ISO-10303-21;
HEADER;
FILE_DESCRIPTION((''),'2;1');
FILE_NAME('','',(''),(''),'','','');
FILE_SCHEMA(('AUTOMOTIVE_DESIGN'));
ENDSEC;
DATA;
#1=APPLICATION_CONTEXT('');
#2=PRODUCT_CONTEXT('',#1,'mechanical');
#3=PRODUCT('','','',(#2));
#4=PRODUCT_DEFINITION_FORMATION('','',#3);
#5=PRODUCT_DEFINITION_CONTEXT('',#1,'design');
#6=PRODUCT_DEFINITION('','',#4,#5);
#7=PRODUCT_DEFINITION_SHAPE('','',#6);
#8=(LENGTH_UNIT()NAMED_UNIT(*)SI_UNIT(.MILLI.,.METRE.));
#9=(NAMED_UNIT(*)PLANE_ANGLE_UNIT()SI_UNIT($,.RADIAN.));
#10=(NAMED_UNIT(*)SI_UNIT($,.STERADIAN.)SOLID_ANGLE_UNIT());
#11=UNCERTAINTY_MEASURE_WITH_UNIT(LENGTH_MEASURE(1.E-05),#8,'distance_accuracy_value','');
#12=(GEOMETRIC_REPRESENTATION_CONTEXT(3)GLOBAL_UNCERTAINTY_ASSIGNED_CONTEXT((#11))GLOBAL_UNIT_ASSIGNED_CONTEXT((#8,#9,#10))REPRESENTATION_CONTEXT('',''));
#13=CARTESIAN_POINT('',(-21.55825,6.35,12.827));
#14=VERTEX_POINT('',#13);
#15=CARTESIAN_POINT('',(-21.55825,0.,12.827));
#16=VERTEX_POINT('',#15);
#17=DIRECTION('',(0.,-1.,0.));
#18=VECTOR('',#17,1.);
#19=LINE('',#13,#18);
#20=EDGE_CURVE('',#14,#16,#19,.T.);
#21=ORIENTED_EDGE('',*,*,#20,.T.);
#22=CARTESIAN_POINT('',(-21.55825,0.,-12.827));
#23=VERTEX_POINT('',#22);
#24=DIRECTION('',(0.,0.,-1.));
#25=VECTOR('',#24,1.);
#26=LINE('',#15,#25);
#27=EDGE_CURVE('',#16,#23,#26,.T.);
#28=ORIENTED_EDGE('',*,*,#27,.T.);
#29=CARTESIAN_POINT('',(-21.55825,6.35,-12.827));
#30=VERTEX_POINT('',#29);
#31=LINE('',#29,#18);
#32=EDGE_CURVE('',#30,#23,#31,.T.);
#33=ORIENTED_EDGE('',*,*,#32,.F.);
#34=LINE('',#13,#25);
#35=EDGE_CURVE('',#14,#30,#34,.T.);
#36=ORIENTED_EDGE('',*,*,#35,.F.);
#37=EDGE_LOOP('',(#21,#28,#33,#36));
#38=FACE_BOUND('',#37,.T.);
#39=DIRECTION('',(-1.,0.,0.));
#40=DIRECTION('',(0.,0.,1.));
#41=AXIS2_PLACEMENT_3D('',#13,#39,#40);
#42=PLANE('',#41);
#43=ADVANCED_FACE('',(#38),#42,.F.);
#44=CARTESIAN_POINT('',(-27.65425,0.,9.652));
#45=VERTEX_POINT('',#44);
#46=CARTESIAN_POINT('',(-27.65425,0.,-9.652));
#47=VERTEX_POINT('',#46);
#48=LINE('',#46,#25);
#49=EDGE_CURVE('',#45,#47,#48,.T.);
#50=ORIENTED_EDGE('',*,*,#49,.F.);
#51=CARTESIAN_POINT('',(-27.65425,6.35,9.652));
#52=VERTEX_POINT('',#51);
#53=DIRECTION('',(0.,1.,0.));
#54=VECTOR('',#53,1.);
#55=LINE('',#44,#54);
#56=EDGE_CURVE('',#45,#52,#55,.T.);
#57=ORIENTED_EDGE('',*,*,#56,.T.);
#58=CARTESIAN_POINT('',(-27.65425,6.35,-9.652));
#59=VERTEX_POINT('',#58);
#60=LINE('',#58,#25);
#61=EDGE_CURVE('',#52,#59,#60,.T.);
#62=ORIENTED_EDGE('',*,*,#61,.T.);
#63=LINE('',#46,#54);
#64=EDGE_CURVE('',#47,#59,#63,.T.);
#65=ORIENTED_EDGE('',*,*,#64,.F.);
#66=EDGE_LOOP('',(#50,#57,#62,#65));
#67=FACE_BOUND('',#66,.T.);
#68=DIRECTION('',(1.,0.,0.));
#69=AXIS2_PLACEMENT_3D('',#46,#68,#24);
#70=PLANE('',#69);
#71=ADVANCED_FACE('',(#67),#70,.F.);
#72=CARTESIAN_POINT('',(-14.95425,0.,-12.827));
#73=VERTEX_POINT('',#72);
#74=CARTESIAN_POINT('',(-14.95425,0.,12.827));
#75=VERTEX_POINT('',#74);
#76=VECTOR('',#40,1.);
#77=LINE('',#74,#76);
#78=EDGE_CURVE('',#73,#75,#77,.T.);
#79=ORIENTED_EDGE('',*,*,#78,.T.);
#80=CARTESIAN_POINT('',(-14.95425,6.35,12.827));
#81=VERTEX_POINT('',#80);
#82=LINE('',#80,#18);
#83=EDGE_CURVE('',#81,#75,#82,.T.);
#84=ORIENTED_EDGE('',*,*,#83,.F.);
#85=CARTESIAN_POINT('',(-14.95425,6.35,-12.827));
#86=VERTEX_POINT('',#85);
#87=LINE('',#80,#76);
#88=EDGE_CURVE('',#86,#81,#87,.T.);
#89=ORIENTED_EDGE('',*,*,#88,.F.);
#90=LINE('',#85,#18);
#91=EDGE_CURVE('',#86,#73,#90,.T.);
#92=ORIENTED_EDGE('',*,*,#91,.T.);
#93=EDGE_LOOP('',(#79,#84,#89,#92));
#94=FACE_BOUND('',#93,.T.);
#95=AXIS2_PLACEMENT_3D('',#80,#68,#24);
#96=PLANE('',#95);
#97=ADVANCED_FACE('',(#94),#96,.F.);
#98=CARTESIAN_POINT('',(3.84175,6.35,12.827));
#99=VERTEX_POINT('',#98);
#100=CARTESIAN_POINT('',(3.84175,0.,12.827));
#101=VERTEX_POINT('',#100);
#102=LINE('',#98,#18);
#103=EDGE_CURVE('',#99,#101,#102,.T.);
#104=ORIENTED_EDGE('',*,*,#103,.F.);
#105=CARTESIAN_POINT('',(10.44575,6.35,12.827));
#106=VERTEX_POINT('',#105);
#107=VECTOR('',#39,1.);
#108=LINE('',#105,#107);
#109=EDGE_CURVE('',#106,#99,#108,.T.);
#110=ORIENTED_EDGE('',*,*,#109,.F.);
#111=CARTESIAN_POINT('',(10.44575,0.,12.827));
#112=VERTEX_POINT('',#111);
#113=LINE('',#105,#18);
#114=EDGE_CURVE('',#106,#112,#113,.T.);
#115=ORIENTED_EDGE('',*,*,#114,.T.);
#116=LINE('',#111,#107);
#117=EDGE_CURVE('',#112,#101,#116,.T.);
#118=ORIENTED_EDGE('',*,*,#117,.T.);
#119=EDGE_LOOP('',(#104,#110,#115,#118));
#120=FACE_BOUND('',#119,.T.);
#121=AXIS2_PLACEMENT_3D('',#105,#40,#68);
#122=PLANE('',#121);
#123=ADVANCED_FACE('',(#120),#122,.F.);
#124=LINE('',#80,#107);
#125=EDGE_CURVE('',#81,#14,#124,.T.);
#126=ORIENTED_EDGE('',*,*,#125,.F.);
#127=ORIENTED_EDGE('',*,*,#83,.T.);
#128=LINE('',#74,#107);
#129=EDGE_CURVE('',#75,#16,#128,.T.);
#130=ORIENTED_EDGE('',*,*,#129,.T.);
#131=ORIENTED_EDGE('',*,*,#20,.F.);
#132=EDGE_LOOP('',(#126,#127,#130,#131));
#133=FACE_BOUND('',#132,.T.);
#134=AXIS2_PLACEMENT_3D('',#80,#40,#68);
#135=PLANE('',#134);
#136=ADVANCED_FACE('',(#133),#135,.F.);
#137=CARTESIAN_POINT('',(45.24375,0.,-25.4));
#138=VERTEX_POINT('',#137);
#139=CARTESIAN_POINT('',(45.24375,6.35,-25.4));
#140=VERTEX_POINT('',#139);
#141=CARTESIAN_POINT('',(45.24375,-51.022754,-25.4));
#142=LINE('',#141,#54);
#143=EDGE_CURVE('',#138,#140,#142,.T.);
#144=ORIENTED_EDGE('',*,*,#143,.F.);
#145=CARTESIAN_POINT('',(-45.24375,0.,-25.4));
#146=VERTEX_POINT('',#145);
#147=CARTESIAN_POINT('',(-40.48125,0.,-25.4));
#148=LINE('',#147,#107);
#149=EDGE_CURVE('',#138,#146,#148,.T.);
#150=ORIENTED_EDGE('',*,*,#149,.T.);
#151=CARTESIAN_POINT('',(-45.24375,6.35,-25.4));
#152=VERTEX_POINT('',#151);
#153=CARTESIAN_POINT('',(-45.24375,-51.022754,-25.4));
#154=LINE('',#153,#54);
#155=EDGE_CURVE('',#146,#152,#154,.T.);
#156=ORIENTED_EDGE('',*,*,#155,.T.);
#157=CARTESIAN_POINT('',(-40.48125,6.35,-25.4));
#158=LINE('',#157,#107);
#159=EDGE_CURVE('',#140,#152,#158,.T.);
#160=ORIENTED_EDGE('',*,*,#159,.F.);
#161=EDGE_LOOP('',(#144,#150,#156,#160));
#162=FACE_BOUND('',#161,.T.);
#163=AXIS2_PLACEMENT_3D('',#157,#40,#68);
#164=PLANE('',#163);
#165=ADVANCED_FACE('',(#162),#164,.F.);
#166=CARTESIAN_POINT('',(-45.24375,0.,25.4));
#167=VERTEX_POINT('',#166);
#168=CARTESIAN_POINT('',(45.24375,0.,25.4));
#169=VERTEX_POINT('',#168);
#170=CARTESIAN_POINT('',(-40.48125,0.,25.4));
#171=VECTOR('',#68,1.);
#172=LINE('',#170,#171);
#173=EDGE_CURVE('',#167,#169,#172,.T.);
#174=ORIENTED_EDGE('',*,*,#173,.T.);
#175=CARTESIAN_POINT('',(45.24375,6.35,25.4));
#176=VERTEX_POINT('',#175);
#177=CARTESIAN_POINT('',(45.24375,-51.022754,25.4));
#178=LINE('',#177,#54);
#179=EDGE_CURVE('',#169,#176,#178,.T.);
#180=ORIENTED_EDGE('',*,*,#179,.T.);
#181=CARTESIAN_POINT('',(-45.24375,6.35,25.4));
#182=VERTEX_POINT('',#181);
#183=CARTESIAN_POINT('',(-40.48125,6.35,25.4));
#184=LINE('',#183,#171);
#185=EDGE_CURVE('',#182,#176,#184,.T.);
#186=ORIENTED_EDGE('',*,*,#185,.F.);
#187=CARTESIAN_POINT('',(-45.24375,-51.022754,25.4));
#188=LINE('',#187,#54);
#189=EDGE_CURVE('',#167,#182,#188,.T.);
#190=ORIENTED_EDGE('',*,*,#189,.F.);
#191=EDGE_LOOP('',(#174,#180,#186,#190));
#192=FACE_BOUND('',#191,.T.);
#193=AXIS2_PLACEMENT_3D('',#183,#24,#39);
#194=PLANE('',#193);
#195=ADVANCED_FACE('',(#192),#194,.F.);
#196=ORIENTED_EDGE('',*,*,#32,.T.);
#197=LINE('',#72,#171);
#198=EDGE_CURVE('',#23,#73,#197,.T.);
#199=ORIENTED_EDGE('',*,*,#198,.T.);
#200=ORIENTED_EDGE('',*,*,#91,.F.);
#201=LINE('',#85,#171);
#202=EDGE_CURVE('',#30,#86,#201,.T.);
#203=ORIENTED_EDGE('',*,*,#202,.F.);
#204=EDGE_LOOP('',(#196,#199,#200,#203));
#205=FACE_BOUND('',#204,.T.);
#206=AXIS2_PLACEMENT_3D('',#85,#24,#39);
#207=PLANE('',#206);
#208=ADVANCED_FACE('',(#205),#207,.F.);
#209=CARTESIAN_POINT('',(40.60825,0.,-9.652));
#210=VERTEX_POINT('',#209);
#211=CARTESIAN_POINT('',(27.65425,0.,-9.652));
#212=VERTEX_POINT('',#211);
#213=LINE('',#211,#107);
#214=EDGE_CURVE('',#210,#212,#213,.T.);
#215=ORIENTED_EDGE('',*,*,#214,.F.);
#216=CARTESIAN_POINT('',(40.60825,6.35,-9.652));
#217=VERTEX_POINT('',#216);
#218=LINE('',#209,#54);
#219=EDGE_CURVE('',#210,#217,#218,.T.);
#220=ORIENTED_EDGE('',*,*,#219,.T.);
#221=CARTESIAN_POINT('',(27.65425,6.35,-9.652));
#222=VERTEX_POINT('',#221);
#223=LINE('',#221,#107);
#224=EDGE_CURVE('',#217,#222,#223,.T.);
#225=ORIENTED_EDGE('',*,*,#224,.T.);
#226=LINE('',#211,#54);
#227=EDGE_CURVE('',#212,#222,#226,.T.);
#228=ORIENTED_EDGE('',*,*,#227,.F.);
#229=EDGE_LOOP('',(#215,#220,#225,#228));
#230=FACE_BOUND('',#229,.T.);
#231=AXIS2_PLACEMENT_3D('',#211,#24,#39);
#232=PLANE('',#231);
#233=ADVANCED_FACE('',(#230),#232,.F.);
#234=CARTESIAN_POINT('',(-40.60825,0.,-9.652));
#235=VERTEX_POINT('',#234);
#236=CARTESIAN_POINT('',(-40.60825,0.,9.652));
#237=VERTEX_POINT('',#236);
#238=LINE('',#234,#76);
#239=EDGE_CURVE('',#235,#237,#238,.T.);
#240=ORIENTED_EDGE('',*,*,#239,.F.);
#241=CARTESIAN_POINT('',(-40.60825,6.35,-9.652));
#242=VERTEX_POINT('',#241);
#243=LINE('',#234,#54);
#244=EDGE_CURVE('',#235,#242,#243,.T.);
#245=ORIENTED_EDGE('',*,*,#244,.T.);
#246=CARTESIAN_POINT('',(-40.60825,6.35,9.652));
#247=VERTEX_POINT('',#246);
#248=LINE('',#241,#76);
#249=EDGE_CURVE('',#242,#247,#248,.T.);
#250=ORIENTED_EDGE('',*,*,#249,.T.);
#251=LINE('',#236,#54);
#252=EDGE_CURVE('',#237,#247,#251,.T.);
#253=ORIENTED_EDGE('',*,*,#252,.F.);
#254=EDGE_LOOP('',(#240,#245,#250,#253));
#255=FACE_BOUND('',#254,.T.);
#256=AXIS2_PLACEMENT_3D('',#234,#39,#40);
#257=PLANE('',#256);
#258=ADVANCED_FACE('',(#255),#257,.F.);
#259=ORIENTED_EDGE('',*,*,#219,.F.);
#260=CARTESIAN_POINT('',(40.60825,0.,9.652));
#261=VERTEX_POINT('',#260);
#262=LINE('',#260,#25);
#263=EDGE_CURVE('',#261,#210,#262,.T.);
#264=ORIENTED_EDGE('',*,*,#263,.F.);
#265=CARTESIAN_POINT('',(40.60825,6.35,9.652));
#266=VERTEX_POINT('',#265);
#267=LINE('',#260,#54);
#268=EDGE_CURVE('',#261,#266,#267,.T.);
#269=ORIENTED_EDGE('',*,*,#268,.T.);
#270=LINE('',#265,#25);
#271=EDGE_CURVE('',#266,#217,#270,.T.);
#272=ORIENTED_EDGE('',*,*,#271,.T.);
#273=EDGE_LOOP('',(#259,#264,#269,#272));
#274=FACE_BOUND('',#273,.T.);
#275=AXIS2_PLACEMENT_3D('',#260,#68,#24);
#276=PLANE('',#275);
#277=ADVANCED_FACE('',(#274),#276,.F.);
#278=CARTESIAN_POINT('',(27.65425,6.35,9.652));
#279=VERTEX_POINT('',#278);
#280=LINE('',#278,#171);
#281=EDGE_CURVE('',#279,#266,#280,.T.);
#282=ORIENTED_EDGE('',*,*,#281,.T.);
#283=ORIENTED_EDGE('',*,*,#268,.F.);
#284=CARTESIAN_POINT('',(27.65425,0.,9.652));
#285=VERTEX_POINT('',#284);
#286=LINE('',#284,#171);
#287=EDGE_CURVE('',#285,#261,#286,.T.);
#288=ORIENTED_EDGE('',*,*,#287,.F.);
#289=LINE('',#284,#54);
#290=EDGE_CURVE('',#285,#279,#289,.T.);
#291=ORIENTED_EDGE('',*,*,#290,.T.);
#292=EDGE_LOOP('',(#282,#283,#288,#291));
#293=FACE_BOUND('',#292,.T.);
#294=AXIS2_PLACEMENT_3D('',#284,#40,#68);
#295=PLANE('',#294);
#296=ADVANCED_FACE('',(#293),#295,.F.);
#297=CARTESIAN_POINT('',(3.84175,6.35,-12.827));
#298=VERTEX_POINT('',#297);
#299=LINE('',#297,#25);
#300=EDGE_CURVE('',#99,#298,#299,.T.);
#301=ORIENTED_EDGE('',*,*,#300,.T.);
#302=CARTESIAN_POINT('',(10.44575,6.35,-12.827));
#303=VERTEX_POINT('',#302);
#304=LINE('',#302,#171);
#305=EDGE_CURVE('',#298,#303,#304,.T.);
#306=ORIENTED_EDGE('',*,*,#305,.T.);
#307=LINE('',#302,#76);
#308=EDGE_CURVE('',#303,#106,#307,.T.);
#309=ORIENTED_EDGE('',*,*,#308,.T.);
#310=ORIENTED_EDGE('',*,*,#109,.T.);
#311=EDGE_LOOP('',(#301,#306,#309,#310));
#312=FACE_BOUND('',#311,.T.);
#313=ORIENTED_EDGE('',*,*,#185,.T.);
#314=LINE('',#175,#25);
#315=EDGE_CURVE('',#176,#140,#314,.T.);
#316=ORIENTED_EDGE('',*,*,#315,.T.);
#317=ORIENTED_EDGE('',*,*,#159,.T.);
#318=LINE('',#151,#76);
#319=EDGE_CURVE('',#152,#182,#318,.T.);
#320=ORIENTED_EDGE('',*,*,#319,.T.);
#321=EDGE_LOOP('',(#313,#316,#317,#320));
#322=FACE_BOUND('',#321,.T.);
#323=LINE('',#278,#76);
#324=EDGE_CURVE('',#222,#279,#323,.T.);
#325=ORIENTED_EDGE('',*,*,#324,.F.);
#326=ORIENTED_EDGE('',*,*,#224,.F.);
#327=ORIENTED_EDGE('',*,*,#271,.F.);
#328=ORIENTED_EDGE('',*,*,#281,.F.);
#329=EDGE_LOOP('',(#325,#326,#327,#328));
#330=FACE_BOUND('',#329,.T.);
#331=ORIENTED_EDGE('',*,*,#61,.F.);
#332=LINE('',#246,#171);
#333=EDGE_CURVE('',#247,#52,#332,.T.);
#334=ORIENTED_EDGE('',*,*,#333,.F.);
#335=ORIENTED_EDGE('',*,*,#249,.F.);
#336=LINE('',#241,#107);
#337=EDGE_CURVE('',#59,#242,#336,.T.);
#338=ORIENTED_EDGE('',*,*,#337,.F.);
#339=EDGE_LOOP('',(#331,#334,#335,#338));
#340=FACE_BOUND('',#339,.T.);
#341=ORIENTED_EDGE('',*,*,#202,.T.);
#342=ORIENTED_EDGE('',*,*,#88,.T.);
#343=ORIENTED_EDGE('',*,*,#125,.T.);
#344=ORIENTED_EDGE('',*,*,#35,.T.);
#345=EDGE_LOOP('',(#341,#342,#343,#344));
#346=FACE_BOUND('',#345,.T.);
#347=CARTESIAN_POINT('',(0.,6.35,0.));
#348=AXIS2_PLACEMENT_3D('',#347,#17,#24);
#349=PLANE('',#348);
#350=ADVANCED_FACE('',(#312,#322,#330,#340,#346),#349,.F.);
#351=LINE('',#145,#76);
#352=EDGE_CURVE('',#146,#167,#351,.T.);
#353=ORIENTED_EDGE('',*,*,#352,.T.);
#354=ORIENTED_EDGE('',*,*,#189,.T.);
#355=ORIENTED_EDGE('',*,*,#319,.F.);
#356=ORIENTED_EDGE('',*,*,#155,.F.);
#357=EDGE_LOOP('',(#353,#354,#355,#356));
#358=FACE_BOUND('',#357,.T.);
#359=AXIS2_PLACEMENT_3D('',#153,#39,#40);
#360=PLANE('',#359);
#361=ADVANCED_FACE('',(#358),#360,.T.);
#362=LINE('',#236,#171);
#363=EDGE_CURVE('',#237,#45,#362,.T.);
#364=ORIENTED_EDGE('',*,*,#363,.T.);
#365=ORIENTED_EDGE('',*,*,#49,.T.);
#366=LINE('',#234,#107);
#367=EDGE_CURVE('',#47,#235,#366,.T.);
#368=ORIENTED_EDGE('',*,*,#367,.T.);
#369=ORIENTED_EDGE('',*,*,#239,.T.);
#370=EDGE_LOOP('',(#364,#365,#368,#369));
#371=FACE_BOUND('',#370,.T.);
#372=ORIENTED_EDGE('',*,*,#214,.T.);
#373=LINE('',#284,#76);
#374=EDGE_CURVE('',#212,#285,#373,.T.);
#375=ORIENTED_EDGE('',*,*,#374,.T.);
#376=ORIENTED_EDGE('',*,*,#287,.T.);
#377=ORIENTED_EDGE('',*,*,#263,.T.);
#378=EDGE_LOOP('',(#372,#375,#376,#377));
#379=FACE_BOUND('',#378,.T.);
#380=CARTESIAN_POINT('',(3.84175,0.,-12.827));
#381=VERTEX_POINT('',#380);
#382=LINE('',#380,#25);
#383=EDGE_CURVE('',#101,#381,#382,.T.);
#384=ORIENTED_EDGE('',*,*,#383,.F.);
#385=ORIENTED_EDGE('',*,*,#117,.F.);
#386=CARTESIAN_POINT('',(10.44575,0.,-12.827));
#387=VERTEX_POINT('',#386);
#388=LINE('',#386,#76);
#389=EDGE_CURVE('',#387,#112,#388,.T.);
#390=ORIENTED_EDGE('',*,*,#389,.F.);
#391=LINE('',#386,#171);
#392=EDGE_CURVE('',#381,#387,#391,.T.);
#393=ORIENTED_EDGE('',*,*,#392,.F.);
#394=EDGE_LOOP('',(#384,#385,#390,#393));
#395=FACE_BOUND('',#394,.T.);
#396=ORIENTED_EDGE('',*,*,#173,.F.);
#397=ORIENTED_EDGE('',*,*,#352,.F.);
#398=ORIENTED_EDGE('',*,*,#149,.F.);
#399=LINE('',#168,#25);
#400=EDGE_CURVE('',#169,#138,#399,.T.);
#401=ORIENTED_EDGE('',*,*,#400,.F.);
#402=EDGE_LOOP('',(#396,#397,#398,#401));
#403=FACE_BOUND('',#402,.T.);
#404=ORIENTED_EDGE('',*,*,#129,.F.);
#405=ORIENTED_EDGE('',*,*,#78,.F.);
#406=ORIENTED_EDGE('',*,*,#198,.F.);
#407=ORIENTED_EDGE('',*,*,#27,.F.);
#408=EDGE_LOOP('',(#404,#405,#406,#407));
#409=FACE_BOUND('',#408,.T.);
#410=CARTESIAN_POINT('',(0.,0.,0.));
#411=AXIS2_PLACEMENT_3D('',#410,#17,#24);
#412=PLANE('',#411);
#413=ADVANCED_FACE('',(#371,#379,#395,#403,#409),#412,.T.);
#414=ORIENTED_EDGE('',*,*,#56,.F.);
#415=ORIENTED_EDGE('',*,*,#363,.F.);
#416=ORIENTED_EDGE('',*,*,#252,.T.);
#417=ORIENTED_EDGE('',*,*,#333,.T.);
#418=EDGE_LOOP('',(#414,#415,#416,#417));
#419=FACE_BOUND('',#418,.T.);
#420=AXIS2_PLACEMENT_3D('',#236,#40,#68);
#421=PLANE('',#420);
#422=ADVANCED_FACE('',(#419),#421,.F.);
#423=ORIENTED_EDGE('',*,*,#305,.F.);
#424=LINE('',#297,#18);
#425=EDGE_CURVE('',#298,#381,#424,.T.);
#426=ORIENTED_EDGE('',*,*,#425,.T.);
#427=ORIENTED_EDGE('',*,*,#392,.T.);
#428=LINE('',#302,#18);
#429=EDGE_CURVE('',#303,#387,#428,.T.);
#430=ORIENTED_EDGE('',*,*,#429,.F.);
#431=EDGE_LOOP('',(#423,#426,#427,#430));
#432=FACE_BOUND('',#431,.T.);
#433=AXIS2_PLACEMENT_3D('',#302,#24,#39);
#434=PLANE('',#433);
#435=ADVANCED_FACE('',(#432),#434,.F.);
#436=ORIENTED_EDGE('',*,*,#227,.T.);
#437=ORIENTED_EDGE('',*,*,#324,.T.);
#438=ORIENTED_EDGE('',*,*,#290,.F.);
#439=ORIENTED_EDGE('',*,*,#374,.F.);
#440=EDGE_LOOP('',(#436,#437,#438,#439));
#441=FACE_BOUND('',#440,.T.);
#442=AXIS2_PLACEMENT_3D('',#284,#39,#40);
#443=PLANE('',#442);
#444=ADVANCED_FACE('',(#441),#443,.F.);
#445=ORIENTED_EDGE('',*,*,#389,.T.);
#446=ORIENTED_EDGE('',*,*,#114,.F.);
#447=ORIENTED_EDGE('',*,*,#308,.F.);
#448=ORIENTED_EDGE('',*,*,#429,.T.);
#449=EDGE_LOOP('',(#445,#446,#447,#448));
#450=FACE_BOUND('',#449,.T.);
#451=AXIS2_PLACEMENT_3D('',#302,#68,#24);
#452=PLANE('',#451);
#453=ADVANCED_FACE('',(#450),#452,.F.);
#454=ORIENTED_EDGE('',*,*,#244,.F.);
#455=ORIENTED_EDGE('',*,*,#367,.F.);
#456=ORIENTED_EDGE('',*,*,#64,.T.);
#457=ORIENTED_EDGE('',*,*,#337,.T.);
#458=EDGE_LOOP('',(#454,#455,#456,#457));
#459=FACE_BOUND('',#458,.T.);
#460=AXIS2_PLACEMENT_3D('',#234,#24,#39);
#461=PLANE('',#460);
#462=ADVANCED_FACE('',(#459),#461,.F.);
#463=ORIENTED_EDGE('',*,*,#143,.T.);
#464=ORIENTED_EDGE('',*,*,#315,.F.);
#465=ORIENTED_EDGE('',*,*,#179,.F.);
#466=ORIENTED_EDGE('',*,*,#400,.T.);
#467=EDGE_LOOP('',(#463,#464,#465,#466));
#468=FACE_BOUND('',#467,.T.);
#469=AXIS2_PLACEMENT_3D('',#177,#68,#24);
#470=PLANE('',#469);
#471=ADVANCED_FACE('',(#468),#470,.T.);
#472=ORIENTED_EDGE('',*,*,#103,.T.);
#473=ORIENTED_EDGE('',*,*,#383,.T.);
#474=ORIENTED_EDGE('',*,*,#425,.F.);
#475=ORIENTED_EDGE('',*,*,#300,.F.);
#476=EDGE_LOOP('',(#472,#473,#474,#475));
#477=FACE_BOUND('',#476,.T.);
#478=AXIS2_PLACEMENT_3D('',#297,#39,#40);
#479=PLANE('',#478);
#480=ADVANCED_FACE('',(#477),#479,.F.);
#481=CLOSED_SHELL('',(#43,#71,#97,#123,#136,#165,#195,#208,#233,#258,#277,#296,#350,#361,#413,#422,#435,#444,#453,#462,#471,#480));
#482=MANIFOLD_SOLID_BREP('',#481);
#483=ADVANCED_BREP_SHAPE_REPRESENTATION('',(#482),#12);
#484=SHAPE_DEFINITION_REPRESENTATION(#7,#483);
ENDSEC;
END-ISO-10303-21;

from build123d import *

# Parameters (mm, degrees)
SKETCH1_W           = 80.9625
SKETCH1_H           = 50.8
BOSS_EXTRUDE1_DEPTH = 6.35
SKETCH3_W           = 6.604
SKETCH3_H           = 25.654
CUT_EXTRUDE1_DEPTH  = 7.35
SKETCH4_W           = 4.7625
SKETCH4_H           = 50.8
BOSS_EXTRUDE2_DEPTH = 6.35
SKETCH5_W           = 12.954
SKETCH5_H           = 19.304
CUT_EXTRUDE2_DEPTH  = 7.35


with BuildPart() as part:
    # Sketch1 → Boss-Extrude1 (new body)
    with BuildSketch(Plane(origin=(0, 0, 0), x_dir=(1, 0, 0), z_dir=(0, 1, 0))):
        Rectangle(SKETCH1_W, SKETCH1_H)
    extrude(amount=BOSS_EXTRUDE1_DEPTH)

    # Sketch3 → Cut-Extrude1 (cut, through all)
    with BuildSketch(Plane(origin=(0, 0, 0), x_dir=(-1, 0, 0), z_dir=(0, -1, 0))):
        with Locations((18.25625, 0)):
            Rectangle(SKETCH3_W, SKETCH3_H)
        with Locations((-7.14375, 0)):
            Rectangle(SKETCH3_W, SKETCH3_H)
    extrude(amount=-CUT_EXTRUDE1_DEPTH, mode=Mode.SUBTRACT)

    # Sketch4 → Boss-Extrude2 (add)
    with BuildSketch(Plane(origin=(0, 6.35, 0), x_dir=(1, 0, 0), z_dir=(0, 1, 0))):
        with Locations((-42.8625, 0)):
            Rectangle(SKETCH4_W, SKETCH4_H)
        with Locations((42.8625, 0)):
            Rectangle(SKETCH4_W, SKETCH4_H)
    extrude(amount=-BOSS_EXTRUDE2_DEPTH)

    # Sketch5 → Cut-Extrude2 (cut, through all)
    with BuildSketch(Plane(origin=(0, 6.35, 0), x_dir=(1, 0, 0), z_dir=(0, 1, 0))):
        with Locations((34.13125, 0)):
            Rectangle(SKETCH5_W, SKETCH5_H)
        with Locations((-34.13125, 0)):
            Rectangle(SKETCH5_W, SKETCH5_H)
    extrude(amount=-CUT_EXTRUDE2_DEPTH, mode=Mode.SUBTRACT)


solid = part.part
